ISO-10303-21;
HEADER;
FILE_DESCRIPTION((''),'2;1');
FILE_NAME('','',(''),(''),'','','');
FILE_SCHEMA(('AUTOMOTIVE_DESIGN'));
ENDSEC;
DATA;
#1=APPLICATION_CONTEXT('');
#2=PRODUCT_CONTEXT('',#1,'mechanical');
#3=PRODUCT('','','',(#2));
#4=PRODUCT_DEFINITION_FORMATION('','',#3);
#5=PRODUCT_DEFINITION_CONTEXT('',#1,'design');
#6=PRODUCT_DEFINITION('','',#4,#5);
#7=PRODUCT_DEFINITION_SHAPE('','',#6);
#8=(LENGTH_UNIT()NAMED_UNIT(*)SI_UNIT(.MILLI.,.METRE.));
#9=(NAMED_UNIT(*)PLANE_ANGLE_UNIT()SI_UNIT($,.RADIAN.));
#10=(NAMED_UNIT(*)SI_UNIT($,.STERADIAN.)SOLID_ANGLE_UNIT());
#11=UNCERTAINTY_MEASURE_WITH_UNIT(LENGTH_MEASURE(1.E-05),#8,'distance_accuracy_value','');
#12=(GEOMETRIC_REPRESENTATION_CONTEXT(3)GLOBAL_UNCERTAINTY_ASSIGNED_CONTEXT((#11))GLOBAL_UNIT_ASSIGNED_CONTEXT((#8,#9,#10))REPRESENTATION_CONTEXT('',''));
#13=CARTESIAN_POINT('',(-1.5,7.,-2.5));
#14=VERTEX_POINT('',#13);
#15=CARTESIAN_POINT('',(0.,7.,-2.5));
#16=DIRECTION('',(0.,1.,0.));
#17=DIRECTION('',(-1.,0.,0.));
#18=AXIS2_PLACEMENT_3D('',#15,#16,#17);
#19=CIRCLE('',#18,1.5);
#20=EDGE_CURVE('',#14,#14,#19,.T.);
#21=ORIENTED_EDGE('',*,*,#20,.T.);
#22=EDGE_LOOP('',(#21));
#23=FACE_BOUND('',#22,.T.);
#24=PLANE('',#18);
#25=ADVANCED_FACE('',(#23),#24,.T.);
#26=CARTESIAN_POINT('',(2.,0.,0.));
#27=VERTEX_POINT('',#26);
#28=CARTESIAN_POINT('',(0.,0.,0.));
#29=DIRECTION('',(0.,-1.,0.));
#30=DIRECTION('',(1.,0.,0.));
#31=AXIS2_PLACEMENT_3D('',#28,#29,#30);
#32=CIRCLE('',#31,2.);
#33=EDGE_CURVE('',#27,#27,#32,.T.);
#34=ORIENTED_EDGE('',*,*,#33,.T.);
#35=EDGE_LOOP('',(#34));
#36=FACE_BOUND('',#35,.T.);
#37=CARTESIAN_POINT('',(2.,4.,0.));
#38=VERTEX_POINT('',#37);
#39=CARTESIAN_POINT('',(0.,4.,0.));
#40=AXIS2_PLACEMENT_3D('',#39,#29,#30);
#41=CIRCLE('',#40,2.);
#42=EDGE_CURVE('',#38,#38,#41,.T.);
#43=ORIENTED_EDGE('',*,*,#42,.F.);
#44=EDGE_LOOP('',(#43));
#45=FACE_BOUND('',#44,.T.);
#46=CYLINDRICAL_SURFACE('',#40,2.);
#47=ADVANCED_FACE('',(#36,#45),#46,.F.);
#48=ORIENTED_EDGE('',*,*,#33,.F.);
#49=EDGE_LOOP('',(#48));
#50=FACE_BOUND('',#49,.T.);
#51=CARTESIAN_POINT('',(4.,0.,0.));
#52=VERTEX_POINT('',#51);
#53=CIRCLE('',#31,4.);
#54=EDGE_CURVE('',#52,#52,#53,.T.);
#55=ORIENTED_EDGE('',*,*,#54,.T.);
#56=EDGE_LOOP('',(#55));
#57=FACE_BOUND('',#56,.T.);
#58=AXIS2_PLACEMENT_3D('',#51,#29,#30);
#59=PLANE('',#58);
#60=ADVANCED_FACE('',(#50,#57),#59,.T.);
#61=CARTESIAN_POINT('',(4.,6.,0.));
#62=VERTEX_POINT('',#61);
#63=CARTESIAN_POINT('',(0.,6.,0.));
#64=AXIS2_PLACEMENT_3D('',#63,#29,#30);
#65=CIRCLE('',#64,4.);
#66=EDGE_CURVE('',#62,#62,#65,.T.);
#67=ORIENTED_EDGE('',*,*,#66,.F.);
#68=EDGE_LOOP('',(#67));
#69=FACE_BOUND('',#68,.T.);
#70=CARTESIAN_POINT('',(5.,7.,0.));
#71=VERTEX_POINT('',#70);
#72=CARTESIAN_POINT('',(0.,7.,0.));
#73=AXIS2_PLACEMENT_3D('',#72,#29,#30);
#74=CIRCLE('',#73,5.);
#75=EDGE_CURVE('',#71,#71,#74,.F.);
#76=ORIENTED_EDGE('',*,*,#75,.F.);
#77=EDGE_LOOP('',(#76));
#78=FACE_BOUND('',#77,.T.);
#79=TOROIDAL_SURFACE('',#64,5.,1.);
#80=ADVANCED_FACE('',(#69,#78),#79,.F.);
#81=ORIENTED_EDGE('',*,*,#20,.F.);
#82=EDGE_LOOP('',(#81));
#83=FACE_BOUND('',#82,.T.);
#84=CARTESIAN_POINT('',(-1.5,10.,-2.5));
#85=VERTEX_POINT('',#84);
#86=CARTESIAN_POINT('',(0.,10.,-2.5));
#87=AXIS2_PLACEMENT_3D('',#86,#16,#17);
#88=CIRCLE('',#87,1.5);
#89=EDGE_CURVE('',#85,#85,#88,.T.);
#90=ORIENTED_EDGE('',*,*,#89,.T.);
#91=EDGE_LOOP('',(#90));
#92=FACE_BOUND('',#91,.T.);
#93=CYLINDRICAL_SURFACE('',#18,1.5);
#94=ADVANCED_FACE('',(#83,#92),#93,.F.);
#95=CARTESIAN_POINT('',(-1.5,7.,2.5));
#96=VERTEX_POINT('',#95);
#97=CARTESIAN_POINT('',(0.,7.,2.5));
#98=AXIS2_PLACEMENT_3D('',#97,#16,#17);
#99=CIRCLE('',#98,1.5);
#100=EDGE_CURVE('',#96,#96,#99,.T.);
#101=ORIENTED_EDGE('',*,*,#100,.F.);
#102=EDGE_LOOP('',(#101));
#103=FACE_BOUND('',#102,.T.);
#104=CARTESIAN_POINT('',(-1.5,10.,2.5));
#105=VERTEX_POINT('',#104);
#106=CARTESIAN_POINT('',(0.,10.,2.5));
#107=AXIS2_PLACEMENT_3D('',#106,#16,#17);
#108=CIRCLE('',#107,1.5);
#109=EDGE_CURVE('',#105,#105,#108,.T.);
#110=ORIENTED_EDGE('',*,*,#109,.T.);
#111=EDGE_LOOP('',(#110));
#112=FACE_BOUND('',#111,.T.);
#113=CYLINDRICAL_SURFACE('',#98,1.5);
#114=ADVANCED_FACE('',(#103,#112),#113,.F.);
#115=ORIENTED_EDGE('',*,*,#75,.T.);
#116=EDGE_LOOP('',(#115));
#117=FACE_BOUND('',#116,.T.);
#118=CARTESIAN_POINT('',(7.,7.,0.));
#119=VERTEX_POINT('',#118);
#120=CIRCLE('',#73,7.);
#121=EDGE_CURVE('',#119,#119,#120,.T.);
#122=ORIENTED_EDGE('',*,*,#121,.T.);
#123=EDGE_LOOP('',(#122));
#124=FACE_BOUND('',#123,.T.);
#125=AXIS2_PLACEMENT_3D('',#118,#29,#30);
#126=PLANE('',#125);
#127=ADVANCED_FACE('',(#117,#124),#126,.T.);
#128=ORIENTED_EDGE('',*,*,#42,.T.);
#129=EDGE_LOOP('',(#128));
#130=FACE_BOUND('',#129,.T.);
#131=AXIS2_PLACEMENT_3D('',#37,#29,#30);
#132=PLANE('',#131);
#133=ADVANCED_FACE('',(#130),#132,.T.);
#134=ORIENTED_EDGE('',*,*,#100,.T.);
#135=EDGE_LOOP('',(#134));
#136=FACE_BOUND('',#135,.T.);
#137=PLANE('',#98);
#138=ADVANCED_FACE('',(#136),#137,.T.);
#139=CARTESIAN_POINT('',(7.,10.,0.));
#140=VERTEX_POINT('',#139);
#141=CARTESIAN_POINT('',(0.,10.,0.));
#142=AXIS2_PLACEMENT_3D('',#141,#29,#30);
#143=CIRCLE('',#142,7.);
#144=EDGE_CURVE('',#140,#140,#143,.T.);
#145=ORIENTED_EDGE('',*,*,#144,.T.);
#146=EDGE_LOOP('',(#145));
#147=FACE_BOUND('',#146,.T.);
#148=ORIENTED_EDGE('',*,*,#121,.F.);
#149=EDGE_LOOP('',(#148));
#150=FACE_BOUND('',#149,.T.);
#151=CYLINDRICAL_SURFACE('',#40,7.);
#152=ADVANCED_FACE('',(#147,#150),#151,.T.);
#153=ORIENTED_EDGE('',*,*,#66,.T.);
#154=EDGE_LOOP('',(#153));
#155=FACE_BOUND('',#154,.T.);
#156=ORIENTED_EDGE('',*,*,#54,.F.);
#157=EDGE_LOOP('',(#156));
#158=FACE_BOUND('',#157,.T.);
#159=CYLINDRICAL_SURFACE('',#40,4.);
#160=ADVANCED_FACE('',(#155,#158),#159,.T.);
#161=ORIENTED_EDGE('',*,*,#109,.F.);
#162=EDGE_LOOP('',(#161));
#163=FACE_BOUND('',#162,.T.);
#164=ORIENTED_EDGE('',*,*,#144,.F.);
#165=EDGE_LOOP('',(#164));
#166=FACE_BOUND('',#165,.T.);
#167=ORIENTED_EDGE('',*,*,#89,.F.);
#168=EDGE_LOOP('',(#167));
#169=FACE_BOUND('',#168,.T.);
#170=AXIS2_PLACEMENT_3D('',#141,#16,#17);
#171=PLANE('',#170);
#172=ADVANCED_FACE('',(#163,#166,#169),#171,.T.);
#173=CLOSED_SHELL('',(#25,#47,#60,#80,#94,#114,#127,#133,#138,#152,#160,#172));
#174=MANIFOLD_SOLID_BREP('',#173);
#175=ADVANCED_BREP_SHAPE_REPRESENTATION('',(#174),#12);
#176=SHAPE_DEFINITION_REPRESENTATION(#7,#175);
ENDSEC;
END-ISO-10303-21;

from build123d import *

# Parameters (mm, degrees)
FILLET1_R          = 1
SKETCH2_R          = 1.5
CUT_EXTRUDE1_DEPTH = 3


with BuildPart() as part:
    # Sketch1 → Revolve1 (revolve)
    with BuildSketch(Plane.XY):
        Polygon((2, 0), (2, 4), (0, 4), (0, 10), (7, 10), (7, 7), (4, 7), (4, 0), align=None)
    revolve(axis=Axis((0, 4, 0), (0, 1, 0)))

    # Fillet1
    fillet1_edges = [part.edges().sort_by_distance(p)[0] for p in [
        (-4, 7, 0),
    ]]
    fillet(fillet1_edges, radius=FILLET1_R)

    # Sketch2 → Cut-Extrude1 (cut)
    with BuildSketch(Plane(origin=(0, 10, 0), x_dir=(1, 0, 0), z_dir=(0, 1, 0))):
        with Locations((0, 2.5)):
            Circle(SKETCH2_R)
        with Locations((0, -2.5)):
            Circle(SKETCH2_R)
    extrude(amount=-CUT_EXTRUDE1_DEPTH, mode=Mode.SUBTRACT)


solid = part.part
